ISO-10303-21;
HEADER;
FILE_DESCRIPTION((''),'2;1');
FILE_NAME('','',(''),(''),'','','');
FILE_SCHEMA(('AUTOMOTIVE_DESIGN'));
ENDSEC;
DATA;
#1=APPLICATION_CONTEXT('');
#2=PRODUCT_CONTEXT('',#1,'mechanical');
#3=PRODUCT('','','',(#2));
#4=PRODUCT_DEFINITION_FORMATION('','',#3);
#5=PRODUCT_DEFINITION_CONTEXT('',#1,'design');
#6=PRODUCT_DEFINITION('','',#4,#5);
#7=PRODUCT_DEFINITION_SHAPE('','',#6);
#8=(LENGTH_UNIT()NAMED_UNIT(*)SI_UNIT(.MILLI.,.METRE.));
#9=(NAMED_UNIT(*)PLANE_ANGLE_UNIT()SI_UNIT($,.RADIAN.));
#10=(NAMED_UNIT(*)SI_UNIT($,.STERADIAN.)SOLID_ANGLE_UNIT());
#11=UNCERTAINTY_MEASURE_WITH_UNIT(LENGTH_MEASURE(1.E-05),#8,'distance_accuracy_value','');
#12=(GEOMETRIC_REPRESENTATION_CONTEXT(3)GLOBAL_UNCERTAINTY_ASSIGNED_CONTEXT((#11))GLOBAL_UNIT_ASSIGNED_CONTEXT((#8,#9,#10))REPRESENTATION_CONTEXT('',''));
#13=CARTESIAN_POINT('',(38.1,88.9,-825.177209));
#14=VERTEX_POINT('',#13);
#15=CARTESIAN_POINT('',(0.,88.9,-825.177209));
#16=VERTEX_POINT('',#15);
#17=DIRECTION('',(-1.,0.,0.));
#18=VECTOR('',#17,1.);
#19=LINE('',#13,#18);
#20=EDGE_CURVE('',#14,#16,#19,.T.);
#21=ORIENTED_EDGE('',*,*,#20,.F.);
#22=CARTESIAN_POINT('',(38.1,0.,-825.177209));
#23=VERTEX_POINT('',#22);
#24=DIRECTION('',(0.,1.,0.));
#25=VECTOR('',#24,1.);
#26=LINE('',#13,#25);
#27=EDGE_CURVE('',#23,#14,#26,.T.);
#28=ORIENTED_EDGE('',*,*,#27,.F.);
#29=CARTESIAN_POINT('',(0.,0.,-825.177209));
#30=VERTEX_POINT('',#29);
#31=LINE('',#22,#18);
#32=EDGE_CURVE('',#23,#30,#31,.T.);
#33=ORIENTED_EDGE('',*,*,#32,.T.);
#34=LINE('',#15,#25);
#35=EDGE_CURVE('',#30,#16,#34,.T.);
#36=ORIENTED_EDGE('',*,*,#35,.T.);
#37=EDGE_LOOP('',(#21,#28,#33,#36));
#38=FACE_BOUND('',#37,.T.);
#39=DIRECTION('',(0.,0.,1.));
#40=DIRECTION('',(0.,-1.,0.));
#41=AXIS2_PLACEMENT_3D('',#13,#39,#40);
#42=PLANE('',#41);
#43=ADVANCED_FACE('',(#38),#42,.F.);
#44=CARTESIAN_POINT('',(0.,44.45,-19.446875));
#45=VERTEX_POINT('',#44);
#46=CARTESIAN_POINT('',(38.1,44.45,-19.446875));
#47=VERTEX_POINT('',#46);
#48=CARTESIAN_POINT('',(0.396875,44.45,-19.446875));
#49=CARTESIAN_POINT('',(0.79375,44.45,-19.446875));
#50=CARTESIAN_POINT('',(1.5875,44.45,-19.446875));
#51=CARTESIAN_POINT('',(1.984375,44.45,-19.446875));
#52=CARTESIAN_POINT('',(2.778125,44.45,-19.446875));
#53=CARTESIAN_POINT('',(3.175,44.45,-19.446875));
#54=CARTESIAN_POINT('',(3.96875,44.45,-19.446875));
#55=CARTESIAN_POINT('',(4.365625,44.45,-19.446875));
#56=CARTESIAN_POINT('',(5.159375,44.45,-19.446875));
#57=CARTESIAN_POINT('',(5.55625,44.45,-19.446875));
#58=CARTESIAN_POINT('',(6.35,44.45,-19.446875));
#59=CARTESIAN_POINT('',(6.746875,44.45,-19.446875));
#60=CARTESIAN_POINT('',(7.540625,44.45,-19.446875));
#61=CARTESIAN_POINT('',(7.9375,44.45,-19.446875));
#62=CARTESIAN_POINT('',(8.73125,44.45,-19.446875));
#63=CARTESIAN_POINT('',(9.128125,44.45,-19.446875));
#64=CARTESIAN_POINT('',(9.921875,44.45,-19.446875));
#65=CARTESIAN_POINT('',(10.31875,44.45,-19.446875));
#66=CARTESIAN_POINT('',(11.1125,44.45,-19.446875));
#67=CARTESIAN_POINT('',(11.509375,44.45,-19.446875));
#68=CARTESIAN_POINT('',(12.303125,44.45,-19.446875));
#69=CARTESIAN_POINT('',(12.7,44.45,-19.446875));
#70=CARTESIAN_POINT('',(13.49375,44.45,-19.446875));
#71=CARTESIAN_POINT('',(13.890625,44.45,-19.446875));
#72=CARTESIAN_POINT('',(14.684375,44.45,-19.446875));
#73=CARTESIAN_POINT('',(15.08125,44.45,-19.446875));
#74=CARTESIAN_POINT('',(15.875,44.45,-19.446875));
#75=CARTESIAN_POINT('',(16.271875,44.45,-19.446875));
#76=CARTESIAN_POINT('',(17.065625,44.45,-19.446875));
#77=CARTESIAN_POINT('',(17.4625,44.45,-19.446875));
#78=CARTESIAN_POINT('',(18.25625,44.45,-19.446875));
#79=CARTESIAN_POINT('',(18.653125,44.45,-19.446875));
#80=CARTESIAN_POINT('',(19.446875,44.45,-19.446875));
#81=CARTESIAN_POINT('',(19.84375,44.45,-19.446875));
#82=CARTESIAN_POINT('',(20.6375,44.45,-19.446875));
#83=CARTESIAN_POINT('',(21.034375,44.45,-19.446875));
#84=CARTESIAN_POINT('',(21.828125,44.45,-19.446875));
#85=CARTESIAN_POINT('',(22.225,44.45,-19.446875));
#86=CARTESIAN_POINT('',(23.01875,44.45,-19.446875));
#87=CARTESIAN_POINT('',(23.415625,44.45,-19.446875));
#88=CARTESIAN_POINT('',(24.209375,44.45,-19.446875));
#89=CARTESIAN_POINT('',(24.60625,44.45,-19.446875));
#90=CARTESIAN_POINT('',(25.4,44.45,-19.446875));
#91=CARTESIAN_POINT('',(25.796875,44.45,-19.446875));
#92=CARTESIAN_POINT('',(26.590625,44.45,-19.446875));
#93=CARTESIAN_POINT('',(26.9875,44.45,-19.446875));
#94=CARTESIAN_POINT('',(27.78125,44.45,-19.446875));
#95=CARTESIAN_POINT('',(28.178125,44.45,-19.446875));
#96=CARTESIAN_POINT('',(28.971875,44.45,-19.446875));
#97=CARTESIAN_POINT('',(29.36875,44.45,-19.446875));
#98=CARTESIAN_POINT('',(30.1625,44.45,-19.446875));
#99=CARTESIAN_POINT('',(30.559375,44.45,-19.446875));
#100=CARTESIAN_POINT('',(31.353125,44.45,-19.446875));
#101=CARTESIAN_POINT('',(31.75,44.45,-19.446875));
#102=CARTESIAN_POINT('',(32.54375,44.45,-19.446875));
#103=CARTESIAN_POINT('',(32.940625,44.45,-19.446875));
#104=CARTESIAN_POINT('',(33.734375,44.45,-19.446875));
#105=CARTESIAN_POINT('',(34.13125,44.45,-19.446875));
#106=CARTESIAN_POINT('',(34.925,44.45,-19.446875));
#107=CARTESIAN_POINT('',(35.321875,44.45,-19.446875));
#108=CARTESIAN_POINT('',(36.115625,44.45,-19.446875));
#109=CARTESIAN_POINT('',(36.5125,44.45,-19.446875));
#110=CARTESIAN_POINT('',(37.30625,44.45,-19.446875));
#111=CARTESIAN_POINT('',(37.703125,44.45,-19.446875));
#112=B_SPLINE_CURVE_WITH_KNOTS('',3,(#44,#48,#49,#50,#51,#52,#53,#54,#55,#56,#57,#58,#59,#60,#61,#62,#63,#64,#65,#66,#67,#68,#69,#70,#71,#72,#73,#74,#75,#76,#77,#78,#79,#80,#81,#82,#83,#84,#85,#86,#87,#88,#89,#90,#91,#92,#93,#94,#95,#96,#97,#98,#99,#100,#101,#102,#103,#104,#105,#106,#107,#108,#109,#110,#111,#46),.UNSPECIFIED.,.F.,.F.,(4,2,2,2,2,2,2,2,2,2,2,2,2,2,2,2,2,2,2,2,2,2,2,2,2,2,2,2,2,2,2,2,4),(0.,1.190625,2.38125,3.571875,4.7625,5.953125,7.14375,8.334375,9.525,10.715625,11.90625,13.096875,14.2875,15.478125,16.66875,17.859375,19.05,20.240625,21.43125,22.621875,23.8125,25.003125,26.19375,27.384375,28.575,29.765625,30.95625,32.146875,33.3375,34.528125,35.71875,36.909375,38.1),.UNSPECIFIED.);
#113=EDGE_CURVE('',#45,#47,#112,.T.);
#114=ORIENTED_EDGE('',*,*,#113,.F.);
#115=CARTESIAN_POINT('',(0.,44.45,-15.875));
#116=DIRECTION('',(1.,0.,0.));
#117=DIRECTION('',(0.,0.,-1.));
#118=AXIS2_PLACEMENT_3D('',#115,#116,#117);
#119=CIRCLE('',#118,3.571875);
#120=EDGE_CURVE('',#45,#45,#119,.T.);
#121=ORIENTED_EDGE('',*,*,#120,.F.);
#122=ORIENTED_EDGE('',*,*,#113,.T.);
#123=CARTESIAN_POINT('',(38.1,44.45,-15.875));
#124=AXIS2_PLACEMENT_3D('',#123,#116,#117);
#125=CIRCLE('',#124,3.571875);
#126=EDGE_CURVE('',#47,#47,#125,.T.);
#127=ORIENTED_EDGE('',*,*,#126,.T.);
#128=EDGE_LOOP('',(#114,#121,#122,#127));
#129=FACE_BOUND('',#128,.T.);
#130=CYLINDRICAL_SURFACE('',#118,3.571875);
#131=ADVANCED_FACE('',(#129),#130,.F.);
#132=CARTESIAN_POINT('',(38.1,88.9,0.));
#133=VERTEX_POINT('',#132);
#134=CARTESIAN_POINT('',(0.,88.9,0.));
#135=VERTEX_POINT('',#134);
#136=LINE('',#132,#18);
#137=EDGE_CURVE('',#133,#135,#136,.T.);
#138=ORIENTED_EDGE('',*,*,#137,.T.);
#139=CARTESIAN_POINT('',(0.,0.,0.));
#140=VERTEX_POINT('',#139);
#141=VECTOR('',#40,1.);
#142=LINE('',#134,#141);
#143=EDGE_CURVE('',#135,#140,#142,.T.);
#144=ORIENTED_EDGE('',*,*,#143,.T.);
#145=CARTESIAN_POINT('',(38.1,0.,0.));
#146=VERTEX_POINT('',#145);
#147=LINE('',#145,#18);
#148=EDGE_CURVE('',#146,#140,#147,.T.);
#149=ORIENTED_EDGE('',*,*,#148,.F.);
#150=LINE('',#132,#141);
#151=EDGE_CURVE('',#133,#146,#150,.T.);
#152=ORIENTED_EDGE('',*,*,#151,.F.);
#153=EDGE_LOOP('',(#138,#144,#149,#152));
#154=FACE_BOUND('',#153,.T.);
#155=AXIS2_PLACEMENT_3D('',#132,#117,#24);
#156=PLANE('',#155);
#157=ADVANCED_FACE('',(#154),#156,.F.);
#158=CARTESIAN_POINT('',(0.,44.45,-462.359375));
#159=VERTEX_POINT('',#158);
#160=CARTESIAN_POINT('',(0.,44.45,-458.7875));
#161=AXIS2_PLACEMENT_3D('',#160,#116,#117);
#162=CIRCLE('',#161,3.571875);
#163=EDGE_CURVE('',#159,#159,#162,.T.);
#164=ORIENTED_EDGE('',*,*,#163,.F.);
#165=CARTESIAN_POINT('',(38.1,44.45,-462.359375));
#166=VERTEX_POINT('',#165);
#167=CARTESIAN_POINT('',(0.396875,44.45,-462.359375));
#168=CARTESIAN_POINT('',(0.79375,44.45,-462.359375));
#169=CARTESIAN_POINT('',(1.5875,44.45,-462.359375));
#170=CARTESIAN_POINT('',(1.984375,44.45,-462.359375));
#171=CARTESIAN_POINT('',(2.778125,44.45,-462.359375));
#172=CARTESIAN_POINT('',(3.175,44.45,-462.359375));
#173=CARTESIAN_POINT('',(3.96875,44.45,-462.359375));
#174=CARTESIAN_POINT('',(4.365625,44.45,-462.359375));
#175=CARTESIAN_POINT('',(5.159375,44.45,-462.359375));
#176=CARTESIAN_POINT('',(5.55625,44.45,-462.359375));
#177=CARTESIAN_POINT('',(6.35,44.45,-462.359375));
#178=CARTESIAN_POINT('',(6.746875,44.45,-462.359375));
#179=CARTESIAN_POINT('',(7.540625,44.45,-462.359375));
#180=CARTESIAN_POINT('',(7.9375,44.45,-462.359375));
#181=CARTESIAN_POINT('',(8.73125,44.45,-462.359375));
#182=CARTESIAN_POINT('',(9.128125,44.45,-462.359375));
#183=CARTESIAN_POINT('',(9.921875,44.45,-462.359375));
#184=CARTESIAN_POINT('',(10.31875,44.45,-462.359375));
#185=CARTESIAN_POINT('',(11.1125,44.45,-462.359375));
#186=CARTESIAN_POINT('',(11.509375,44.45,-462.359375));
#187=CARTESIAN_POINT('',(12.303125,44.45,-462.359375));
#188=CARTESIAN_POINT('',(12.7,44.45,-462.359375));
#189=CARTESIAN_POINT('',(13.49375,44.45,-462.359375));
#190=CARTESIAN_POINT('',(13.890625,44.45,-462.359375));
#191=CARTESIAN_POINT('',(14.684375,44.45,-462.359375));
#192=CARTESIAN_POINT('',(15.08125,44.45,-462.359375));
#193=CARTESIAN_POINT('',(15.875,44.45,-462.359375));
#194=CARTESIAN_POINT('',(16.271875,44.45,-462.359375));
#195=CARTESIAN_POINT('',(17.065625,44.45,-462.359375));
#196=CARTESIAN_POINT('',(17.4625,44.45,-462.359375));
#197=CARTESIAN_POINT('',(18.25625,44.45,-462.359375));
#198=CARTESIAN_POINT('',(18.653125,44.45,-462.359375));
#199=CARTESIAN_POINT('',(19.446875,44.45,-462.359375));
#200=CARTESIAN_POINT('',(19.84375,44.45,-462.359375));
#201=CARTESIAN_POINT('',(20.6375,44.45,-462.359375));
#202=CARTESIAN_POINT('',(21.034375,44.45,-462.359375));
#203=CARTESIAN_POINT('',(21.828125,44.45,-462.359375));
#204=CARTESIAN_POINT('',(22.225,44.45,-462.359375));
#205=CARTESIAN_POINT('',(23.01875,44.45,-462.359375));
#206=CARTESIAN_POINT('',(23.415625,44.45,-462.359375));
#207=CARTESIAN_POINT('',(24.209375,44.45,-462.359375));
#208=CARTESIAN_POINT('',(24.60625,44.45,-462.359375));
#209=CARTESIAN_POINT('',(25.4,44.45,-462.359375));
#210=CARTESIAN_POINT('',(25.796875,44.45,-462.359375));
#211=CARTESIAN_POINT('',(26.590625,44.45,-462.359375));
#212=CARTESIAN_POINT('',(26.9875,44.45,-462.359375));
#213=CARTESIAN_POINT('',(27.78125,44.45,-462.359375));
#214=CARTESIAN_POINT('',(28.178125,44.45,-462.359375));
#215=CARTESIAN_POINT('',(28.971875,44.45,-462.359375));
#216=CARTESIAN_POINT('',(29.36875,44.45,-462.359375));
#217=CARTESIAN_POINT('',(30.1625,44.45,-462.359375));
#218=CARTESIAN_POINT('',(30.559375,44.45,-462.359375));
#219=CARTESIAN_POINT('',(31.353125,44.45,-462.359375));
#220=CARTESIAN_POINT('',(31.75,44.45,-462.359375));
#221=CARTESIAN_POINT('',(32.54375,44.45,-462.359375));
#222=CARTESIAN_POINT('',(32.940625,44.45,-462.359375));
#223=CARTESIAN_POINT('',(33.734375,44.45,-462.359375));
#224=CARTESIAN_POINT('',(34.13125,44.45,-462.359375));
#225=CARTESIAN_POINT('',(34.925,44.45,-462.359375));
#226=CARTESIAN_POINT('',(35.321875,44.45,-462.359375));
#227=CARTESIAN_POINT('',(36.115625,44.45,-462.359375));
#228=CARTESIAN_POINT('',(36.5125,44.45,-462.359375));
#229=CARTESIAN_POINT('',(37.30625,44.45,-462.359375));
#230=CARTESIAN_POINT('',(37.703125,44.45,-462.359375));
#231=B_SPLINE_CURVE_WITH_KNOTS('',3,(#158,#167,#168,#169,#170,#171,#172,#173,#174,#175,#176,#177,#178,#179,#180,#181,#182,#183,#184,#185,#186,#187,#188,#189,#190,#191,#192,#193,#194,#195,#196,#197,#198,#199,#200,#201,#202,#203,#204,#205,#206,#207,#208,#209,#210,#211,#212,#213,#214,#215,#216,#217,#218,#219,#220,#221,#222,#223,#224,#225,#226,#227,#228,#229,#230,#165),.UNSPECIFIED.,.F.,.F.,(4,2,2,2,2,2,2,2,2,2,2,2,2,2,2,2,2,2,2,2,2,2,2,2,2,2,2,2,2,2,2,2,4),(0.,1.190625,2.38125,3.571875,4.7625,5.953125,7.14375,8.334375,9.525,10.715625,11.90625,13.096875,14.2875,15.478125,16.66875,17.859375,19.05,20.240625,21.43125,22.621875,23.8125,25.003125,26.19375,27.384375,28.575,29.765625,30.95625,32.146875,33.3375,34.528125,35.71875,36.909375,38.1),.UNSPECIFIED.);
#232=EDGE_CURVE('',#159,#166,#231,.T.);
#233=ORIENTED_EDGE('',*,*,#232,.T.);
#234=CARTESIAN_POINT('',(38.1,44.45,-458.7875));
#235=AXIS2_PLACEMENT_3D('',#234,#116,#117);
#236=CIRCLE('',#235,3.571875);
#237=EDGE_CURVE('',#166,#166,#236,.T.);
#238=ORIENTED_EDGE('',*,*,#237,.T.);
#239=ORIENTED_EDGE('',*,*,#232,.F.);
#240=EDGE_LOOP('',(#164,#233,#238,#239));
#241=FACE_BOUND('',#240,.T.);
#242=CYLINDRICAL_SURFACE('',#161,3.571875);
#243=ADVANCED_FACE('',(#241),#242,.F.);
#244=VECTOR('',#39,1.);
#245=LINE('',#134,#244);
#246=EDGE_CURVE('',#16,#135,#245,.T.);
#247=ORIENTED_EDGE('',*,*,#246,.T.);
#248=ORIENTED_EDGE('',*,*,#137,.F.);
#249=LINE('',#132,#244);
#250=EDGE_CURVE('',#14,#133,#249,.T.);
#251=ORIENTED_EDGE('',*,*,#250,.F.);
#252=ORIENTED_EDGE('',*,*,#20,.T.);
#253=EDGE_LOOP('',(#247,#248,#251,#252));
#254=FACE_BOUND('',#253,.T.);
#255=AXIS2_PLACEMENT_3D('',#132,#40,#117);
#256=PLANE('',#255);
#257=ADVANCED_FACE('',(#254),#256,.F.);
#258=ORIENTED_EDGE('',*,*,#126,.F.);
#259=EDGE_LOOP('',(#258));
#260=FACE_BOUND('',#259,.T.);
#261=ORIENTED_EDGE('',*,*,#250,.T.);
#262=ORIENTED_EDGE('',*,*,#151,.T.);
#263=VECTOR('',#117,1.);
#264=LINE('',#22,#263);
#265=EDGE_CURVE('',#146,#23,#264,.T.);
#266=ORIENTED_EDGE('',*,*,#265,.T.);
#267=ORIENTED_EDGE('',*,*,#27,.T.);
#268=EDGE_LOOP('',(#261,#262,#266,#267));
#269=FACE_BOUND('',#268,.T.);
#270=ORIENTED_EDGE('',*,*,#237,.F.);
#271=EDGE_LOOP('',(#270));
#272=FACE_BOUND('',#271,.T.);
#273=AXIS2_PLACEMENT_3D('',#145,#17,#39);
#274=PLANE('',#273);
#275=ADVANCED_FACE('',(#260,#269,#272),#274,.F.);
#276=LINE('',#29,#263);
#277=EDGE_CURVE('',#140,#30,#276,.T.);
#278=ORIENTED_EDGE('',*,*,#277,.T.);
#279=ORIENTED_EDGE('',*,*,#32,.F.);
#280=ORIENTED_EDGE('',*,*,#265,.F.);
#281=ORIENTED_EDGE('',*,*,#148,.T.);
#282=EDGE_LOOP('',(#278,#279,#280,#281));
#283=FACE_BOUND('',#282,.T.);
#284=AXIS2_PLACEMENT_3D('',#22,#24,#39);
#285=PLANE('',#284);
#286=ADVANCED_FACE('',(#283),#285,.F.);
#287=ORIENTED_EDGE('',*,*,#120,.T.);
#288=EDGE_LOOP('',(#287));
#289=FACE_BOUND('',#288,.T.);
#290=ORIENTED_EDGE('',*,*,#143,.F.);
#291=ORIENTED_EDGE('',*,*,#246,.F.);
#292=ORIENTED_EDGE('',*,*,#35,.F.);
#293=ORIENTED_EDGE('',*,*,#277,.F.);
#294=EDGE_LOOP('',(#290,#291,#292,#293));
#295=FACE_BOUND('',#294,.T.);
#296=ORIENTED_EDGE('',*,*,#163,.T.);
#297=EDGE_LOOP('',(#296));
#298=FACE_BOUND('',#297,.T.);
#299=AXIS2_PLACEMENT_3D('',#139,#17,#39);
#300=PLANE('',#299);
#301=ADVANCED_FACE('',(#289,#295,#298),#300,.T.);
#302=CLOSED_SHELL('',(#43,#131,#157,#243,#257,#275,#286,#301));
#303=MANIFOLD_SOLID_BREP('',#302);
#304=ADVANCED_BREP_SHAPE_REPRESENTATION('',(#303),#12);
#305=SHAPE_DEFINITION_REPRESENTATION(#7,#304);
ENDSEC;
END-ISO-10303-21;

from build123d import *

# Parameters (mm, degrees)
SKETCH1_W           = 825.177208973
SKETCH1_H           = 88.9
BOSS_EXTRUDE1_DEPTH = 38.1
SKETCH2_R           = 3.571875
CUT_EXTRUDE1_DEPTH  = 831.826243091


with BuildPart() as part:
    # Sketch1 → Boss-Extrude1 (new body)
    with BuildSketch(Plane(origin=(0, 0, 0), x_dir=(0, 0, -1), z_dir=(1, 0, 0))):
        with Locations((412.588604487, 44.45)):
            Rectangle(SKETCH1_W, SKETCH1_H)
    extrude(amount=BOSS_EXTRUDE1_DEPTH)

    # Sketch2 → Cut-Extrude1 (cut, through all)
    with BuildSketch(Plane(origin=(38.1, 0, 0), x_dir=(0, 0, -1), z_dir=(1, 0, 0))):
        with Locations((15.875, 44.45)):
            Circle(SKETCH2_R)
        with Locations((458.7875, 44.45)):
            Circle(SKETCH2_R)
    extrude(amount=-CUT_EXTRUDE1_DEPTH, mode=Mode.SUBTRACT)


solid = part.part
